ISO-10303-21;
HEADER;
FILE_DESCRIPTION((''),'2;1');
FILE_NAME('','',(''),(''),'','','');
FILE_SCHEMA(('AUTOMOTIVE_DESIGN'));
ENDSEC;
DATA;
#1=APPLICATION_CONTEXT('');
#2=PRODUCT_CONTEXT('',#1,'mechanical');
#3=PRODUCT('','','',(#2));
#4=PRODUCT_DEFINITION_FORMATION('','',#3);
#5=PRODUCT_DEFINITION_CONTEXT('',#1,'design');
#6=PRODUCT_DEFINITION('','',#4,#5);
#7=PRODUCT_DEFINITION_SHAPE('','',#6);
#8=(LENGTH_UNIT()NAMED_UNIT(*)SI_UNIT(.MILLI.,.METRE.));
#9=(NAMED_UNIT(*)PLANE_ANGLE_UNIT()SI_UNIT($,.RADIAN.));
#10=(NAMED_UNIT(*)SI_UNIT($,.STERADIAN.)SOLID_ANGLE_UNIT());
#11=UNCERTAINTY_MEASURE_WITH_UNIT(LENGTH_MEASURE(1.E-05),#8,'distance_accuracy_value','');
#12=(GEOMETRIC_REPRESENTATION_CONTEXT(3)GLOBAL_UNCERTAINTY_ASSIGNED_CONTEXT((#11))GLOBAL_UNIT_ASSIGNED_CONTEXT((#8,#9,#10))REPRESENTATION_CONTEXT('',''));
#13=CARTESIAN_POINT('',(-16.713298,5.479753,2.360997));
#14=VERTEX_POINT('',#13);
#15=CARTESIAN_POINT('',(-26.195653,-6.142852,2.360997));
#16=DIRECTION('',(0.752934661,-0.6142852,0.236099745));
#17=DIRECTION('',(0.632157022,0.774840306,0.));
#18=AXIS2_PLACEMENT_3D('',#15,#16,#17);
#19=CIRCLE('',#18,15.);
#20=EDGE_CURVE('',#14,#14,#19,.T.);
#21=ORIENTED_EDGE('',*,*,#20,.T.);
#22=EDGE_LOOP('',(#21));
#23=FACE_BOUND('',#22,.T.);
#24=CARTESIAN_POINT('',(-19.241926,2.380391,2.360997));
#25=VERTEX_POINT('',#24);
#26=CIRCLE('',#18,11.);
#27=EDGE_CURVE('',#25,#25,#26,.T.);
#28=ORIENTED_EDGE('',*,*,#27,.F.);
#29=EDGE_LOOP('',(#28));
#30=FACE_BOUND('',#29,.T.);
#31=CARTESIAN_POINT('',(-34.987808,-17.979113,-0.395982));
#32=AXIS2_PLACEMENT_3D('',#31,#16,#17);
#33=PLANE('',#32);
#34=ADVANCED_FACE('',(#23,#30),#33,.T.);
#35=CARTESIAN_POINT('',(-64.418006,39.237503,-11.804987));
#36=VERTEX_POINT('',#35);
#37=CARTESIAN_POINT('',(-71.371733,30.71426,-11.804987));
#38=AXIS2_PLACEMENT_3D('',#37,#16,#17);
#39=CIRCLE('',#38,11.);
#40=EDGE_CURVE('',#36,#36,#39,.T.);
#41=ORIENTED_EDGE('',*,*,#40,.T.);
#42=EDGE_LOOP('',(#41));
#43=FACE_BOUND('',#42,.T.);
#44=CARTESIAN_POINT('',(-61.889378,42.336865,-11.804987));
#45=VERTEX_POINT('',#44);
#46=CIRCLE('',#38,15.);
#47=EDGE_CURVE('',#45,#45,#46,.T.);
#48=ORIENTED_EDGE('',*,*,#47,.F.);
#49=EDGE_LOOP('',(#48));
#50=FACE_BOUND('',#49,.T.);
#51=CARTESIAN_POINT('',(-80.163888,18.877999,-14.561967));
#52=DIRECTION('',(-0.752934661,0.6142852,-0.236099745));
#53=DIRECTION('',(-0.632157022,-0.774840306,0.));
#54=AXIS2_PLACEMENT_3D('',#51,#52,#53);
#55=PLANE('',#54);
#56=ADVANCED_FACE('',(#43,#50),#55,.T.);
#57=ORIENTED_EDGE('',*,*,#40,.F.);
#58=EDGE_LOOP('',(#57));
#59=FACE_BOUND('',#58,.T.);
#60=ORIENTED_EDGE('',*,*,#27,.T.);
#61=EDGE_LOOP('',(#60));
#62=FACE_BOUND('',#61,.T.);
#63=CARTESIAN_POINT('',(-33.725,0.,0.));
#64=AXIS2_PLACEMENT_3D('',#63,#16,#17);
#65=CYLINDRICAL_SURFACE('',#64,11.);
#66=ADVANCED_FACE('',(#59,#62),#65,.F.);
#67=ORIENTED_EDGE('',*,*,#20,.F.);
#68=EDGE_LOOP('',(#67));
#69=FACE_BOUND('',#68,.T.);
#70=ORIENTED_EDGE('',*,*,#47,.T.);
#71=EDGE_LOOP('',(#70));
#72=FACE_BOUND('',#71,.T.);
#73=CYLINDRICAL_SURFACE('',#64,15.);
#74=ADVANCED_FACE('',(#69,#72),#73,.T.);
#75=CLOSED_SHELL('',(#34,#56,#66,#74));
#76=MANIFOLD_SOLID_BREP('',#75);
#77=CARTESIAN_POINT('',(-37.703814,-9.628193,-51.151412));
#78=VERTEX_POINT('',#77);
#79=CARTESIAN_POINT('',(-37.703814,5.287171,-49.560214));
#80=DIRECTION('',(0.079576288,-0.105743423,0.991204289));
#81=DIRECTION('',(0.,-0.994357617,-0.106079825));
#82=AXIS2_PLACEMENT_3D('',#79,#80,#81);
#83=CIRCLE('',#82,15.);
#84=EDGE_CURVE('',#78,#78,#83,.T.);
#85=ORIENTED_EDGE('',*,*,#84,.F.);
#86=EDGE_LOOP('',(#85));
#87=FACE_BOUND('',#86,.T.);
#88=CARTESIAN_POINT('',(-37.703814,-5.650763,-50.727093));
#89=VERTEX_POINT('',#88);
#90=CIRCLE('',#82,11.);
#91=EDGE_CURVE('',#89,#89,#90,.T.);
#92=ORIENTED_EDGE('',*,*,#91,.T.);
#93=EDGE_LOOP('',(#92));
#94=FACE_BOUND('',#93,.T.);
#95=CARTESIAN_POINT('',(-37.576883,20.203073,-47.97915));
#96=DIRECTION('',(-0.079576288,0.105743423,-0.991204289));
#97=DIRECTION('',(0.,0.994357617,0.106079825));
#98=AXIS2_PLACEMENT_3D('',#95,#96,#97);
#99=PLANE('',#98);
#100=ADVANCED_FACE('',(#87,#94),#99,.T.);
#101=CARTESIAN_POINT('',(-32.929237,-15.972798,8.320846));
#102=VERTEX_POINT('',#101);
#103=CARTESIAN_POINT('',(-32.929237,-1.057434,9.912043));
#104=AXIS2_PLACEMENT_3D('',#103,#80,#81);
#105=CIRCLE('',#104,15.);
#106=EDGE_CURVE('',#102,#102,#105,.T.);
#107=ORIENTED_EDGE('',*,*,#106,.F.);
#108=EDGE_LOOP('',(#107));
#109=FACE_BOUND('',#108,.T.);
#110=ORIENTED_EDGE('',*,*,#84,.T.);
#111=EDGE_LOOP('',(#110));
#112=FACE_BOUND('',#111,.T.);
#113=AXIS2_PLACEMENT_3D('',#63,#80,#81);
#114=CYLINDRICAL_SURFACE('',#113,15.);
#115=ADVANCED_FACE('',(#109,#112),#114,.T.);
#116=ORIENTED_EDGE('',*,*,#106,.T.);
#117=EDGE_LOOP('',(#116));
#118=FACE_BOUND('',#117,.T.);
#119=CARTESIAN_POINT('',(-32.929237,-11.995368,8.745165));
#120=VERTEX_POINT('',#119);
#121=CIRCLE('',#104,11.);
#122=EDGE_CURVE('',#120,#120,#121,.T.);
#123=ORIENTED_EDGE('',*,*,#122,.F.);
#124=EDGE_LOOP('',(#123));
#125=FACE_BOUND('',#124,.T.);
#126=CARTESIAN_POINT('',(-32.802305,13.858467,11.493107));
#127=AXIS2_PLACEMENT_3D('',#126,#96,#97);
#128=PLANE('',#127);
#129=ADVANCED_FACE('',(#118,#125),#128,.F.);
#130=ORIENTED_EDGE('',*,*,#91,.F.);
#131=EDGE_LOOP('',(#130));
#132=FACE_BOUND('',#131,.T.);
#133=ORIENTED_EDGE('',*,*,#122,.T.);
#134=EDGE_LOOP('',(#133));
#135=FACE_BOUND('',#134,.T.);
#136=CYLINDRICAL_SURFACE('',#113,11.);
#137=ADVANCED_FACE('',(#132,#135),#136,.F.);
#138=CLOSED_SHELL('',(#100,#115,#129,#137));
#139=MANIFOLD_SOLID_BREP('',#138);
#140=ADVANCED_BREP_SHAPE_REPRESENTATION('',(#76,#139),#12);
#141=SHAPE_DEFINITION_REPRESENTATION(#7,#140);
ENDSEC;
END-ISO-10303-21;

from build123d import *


with BuildPart() as part:
    # Sketch12 → Revolve3 (revolve)
    with BuildSketch(Plane(origin=(-33.509025336, 0, 2.690185958), x_dir=(-0.080024952, 0, -0.996792861), z_dir=(0.996792861, 0, -0.080024952))):
        Polygon((1.112690179, 14.915901713), (50.832362557, 20.203072847), (51.255336248, 16.225499056), (1.53566387, 10.938327923), (-8.408270606, 9.880893697), (-8.831244297, 13.858467487), align=None)
    revolve(axis=Axis((-33.725, 0, 0), (-0.079576288, 0.105743423, -0.991204289)))


with BuildPart() as body_2:
    # Sketch11 → Revolve2 (revolve)
    with BuildSketch(Plane(origin=(-3.019231595, 0, 9.628490334), x_dir=(-0.954188122, 0, -0.299207334), z_dir=(0.299207334, 0, -0.954188122))):
        Polygon((41.3942724, -11.836261273), (80.848476641, 18.877998732), (78.391335841, 22.034335072), (38.953432988, -8.667234648), (31.046290751, -14.822776934), (33.503431551, -17.979113274), align=None)
    revolve(axis=Axis((-33.725, 0, 0), (-0.752934661, 0.6142852, -0.236099745)))


solid = Compound([part.part, body_2.part])
